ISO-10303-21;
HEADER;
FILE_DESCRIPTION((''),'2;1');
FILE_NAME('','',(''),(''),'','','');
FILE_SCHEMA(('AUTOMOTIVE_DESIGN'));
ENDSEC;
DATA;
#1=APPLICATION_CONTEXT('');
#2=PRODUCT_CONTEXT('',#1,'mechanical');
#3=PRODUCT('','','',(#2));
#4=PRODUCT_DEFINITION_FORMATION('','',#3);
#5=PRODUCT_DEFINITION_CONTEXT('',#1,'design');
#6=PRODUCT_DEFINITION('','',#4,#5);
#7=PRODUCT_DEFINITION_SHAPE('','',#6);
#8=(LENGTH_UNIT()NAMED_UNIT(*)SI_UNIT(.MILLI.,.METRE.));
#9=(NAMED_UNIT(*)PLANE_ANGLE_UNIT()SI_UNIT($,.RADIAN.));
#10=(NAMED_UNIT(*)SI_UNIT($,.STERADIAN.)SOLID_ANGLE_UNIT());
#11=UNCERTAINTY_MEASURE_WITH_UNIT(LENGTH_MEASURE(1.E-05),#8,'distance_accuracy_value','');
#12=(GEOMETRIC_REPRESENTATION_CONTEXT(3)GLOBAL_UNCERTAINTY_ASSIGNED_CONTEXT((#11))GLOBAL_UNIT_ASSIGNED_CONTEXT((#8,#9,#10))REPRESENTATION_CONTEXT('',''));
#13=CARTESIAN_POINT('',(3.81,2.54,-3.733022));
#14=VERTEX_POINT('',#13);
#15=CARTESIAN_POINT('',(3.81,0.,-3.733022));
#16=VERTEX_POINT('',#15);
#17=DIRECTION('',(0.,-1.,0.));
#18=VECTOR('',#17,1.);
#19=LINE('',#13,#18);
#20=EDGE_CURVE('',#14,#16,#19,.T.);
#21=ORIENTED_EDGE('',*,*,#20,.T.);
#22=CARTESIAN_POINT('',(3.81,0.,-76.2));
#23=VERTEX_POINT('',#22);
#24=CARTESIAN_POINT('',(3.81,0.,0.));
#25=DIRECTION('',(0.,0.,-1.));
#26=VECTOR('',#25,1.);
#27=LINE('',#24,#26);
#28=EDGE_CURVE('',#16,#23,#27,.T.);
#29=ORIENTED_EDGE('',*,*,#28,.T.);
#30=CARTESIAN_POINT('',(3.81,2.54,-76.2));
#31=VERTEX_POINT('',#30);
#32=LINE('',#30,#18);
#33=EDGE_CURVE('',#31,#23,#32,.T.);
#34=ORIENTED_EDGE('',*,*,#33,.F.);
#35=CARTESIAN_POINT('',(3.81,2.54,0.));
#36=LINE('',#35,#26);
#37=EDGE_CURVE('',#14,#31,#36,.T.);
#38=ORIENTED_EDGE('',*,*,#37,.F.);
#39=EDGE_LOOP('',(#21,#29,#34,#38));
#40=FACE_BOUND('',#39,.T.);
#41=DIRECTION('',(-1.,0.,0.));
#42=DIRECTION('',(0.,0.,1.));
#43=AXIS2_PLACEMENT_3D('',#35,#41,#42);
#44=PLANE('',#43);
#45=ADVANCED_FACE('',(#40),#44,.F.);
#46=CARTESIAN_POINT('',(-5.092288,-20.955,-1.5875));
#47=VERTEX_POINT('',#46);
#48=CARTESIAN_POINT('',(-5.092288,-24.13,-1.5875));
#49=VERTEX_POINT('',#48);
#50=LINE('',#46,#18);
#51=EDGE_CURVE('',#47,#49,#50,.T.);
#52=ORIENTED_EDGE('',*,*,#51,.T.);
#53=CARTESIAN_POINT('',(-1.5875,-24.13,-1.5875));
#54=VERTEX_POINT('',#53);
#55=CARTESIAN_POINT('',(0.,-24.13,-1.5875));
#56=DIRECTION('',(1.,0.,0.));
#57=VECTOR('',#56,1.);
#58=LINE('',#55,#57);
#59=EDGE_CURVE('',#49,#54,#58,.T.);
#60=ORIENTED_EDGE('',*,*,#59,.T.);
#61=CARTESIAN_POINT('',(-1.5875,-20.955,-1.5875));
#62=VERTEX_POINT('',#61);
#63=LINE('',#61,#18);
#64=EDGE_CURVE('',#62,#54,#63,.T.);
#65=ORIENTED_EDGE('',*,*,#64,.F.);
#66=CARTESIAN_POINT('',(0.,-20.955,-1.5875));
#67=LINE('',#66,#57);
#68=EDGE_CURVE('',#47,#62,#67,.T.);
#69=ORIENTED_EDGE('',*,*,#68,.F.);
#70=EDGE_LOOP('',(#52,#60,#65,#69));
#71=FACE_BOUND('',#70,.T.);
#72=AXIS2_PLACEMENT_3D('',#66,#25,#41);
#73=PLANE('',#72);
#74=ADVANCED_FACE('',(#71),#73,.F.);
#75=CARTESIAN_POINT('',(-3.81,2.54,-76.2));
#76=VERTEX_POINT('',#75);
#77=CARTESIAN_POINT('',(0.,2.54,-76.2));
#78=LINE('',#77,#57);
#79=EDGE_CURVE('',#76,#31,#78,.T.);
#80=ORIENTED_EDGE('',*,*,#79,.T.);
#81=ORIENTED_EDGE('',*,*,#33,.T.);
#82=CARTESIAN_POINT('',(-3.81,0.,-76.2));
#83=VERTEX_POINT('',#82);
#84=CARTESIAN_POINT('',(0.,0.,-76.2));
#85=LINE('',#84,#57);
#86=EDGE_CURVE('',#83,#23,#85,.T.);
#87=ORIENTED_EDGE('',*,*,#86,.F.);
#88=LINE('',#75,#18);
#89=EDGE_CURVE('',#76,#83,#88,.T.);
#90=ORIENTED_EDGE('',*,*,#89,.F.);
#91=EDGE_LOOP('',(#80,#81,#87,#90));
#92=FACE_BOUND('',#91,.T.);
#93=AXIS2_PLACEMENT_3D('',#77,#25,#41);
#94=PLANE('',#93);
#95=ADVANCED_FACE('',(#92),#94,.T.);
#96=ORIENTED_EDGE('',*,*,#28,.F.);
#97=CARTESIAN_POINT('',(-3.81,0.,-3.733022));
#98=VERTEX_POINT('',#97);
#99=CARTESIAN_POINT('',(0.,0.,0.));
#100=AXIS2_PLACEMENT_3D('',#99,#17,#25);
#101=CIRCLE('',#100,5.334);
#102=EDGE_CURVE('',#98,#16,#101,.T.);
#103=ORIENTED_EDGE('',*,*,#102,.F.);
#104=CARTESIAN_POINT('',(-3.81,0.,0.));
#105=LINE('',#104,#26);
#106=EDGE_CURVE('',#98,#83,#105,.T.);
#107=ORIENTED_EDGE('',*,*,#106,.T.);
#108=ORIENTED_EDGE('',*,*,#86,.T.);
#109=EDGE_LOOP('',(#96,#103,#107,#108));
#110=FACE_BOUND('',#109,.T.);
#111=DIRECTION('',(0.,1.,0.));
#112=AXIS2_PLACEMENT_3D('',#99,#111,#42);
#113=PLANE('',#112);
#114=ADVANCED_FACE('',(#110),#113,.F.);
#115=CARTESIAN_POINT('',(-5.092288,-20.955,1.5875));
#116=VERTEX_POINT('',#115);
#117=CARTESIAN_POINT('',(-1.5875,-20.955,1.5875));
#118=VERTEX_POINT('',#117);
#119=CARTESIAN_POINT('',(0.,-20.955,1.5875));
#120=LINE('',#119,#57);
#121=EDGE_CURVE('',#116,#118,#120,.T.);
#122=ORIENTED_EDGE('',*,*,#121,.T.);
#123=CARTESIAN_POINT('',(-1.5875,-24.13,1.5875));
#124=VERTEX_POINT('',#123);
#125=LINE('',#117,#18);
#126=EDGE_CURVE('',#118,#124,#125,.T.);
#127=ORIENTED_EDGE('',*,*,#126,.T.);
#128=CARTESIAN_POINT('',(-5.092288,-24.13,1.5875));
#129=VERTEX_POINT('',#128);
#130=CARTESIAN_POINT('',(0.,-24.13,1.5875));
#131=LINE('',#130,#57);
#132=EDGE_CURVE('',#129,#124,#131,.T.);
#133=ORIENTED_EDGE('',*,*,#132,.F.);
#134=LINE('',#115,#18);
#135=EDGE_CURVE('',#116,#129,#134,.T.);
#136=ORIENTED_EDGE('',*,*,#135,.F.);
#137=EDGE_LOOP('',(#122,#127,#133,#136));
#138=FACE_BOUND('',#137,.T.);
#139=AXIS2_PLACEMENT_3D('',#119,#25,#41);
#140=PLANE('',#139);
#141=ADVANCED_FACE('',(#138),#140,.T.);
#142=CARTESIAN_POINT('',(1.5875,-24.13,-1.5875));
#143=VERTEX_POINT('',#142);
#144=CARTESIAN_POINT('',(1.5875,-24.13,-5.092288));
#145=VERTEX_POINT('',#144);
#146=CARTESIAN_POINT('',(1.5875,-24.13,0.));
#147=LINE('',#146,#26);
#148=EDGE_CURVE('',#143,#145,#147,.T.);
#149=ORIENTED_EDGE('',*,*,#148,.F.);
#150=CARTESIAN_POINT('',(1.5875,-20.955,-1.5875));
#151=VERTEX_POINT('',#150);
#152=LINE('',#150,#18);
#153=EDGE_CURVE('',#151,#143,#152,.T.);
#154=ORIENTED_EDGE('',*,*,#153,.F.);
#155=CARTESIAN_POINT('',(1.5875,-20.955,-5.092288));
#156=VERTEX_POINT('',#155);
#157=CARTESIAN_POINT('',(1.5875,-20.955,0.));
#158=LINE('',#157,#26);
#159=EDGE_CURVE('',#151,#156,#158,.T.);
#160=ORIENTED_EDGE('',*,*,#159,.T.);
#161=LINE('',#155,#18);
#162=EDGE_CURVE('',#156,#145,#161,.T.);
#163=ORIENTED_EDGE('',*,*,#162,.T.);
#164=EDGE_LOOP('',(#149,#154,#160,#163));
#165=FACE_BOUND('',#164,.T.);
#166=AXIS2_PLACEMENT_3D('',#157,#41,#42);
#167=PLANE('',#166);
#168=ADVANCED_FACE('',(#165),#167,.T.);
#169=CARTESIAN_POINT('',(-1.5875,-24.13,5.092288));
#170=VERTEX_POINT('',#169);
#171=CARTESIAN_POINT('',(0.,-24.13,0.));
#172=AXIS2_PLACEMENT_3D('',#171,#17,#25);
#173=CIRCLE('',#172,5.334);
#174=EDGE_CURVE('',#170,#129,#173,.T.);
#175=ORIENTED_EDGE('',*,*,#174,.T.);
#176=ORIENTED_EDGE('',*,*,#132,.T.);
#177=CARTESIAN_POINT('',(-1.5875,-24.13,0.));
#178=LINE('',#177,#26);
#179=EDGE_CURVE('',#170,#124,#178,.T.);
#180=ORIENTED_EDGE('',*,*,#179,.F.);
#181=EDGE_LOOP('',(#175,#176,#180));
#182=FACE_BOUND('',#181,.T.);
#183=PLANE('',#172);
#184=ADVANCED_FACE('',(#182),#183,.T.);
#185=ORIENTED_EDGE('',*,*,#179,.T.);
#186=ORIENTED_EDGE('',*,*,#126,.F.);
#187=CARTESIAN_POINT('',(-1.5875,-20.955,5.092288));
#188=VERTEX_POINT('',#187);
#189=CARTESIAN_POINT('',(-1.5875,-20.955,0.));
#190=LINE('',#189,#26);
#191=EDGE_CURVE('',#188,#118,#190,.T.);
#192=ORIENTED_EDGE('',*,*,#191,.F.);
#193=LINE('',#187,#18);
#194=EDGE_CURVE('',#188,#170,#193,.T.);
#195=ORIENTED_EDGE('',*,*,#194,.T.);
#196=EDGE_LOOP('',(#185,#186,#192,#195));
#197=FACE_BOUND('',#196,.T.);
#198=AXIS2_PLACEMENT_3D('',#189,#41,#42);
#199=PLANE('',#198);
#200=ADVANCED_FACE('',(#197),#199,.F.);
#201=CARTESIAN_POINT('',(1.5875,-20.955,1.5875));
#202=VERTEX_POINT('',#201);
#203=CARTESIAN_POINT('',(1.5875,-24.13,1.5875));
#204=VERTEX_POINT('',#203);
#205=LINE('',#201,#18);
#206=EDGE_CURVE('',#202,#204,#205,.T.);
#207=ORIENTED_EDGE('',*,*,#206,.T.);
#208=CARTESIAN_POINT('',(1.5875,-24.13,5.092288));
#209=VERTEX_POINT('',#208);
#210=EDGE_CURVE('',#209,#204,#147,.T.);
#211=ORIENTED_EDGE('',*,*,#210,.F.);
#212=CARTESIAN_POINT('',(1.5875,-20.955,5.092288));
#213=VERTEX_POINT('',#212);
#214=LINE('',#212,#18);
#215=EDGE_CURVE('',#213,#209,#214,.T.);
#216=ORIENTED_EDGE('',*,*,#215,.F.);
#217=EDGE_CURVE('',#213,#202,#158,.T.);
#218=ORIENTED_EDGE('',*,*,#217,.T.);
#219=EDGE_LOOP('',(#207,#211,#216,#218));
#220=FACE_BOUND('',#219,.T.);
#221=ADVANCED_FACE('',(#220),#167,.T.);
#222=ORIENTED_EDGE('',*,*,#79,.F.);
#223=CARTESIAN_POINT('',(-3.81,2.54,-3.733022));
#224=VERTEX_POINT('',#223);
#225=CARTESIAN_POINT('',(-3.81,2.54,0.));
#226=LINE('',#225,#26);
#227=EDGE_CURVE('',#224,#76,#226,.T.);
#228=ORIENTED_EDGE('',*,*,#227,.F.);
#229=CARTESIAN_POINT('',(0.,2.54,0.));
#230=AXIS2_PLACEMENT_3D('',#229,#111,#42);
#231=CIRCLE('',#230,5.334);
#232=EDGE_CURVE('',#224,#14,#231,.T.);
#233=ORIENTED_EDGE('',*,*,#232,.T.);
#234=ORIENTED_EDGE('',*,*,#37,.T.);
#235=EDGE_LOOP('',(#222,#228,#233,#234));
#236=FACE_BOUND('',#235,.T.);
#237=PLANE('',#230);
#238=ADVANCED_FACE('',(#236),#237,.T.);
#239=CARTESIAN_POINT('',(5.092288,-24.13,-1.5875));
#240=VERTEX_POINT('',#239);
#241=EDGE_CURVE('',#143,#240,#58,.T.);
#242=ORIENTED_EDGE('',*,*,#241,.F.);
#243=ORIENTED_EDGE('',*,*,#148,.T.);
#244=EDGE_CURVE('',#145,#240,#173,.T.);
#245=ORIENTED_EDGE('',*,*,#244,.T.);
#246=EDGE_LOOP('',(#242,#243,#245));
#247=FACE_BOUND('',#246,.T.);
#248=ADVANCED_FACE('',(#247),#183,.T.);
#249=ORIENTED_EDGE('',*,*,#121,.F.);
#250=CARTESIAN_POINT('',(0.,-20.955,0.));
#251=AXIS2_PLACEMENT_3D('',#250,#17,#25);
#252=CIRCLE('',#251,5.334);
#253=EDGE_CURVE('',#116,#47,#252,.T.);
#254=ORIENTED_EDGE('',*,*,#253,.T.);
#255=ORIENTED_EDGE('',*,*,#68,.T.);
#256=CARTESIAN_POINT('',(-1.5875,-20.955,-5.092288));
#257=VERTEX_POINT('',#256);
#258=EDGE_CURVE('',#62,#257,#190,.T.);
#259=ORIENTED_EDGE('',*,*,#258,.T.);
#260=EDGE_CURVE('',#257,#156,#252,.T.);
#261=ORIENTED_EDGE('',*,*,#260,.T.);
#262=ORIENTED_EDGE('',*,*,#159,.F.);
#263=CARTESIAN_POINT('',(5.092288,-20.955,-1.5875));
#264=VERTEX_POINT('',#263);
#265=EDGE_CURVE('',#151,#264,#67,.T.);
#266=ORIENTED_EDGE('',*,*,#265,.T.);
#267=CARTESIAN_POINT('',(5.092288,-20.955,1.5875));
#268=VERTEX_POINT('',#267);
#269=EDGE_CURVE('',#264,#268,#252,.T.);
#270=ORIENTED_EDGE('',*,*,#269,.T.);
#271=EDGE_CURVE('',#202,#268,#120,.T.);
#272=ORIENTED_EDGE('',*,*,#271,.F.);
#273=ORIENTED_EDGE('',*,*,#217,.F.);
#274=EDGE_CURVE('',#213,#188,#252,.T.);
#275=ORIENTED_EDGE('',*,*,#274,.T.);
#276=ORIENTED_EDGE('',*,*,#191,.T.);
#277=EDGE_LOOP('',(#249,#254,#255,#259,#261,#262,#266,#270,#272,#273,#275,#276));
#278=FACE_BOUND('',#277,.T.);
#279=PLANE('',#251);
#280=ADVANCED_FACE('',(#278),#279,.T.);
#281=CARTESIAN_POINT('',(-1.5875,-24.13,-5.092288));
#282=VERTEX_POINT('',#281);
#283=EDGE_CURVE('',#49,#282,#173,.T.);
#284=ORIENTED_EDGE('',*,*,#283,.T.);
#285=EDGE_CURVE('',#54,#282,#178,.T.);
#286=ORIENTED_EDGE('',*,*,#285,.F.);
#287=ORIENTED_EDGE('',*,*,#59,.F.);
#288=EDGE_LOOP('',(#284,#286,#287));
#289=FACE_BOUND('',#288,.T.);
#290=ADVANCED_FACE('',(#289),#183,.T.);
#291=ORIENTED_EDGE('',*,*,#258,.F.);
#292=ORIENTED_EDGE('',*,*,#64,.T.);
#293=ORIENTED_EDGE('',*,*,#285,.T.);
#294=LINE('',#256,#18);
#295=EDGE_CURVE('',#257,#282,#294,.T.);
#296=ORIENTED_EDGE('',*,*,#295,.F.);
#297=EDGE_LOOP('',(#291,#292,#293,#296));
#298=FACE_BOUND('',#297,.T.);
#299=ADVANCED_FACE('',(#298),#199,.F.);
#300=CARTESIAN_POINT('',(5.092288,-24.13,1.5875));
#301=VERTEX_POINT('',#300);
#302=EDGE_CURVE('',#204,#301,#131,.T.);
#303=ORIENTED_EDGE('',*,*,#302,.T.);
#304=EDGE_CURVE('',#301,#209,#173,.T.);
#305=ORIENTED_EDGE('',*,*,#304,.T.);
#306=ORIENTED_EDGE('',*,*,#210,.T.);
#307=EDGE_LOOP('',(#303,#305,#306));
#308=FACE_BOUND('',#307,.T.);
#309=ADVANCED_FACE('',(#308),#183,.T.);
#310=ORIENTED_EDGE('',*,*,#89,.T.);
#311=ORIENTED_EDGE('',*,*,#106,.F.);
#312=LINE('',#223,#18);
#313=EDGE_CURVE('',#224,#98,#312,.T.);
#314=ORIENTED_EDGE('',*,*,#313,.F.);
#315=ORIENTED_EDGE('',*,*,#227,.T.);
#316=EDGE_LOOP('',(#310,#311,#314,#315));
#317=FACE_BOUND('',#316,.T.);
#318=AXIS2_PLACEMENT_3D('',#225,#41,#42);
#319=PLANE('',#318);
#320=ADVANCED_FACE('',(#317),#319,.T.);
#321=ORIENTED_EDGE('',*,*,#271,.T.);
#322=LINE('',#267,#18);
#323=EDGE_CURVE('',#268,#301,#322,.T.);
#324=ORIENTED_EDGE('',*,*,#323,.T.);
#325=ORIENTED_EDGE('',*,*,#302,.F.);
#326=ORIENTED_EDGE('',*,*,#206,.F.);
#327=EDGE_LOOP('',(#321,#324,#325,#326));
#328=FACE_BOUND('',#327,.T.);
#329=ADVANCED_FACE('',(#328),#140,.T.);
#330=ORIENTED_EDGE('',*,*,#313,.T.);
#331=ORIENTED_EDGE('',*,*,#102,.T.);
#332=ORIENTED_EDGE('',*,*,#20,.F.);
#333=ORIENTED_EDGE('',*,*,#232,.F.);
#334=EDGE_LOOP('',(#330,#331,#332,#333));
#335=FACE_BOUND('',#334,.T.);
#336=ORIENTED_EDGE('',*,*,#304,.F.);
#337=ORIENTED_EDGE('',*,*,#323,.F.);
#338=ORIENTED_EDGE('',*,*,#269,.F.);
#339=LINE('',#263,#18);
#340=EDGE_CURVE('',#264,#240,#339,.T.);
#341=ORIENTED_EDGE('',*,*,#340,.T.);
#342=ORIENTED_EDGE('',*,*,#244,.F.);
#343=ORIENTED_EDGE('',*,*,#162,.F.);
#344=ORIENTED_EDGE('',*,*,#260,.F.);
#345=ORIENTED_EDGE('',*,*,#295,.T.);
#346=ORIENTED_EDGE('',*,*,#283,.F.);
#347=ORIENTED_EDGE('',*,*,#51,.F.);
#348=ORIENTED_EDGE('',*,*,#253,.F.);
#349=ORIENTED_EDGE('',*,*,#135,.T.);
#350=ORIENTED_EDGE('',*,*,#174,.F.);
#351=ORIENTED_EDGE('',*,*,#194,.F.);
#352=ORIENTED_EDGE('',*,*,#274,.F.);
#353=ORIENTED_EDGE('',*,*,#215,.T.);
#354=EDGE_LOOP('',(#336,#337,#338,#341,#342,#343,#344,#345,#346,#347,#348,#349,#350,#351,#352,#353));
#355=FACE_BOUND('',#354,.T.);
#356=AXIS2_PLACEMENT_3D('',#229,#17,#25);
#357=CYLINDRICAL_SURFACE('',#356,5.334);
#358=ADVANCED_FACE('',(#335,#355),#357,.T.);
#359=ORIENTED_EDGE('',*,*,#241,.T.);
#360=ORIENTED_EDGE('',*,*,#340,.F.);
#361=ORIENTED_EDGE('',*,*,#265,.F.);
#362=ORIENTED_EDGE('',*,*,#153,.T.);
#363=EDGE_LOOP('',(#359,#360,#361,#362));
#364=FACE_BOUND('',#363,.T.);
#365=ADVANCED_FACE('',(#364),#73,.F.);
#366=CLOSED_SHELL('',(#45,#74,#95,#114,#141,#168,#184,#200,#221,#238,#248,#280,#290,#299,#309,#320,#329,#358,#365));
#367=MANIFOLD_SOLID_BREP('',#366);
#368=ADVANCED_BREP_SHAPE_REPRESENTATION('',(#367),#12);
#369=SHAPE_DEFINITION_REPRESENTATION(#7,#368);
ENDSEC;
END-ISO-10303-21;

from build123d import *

# Parameters (mm, degrees)
SKETCH2_R           = 5.334
SKETCH2_W           = 7.62
SKETCH2_H           = 76.2
BOSS_EXTRUDE1_DEPTH = 2.54
BOSS_EXTRUDE2_START = 24.13
SKETCH3_R           = 5.334
BOSS_EXTRUDE2_DEPTH = 24.13
SKETCH4_W           = 3.175
SKETCH4_H           = 3.175
CUT_EXTRUDE1_DEPTH  = 3.175


with BuildPart() as part:
    # Sketch2 → Boss-Extrude1 (new body)
    with BuildSketch(Plane(origin=(0, 0, 0), x_dir=(1, 0, 0), z_dir=(0, 1, 0))):
        Circle(SKETCH2_R)
        with Locations((0, 38.1)):
            Rectangle(SKETCH2_W, SKETCH2_H)
    extrude(amount=BOSS_EXTRUDE1_DEPTH)

    # Sketch3 → Boss-Extrude2 (add)
    with BuildSketch(Plane.XZ.offset(BOSS_EXTRUDE2_START)):
        with Locations(Location((0, 0, 0), (0, 0, 270))):
            Circle(SKETCH3_R)
    extrude(amount=-BOSS_EXTRUDE2_DEPTH)

    # Sketch4 → Cut-Extrude1 (cut)
    with BuildSketch(Plane.XZ.offset(24.13)):
        with BuildLine():
            Line((-1.5875, -1.5875), (-1.5875, 1.5875))
            Line((-1.5875, 1.5875), (-5.092288263, 1.5875))
            ThreePointArc((-5.092288263, 1.5875), (-5.334, 0), (-5.092288263, -1.5875))
            Line((-5.092288263, -1.5875), (-1.5875, -1.5875))
        make_face()
        Rectangle(SKETCH4_W, SKETCH4_H)
        with BuildLine():
            ThreePointArc((1.5875, 5.092288263), (0, 5.334), (-1.5875, 5.092288263))
            Line((-1.5875, 5.092288263), (-1.5875, 1.5875))
            Line((-1.5875, 1.5875), (1.5875, 1.5875))
            Line((1.5875, 1.5875), (1.5875, 5.092288263))
        make_face()
        with BuildLine():
            Line((5.092288263, 1.5875), (1.5875, 1.5875))
            Line((1.5875, 1.5875), (1.5875, -1.5875))
            Line((1.5875, -1.5875), (5.092288263, -1.5875))
            ThreePointArc((5.092288263, -1.5875), (5.273225843, -0.802898003), (5.334, 0))
            ThreePointArc((5.334, 0), (5.273225843, 0.802898003), (5.092288263, 1.5875))
        make_face()
        with BuildLine():
            Line((1.5875, -1.5875), (-1.5875, -1.5875))
            Line((-1.5875, -1.5875), (-1.5875, -5.092288263))
            ThreePointArc((-1.5875, -5.092288263), (0, -5.334), (1.5875, -5.092288263))
            Line((1.5875, -5.092288263), (1.5875, -1.5875))
        make_face()
    extrude(amount=-CUT_EXTRUDE1_DEPTH, mode=Mode.SUBTRACT)


solid = part.part
